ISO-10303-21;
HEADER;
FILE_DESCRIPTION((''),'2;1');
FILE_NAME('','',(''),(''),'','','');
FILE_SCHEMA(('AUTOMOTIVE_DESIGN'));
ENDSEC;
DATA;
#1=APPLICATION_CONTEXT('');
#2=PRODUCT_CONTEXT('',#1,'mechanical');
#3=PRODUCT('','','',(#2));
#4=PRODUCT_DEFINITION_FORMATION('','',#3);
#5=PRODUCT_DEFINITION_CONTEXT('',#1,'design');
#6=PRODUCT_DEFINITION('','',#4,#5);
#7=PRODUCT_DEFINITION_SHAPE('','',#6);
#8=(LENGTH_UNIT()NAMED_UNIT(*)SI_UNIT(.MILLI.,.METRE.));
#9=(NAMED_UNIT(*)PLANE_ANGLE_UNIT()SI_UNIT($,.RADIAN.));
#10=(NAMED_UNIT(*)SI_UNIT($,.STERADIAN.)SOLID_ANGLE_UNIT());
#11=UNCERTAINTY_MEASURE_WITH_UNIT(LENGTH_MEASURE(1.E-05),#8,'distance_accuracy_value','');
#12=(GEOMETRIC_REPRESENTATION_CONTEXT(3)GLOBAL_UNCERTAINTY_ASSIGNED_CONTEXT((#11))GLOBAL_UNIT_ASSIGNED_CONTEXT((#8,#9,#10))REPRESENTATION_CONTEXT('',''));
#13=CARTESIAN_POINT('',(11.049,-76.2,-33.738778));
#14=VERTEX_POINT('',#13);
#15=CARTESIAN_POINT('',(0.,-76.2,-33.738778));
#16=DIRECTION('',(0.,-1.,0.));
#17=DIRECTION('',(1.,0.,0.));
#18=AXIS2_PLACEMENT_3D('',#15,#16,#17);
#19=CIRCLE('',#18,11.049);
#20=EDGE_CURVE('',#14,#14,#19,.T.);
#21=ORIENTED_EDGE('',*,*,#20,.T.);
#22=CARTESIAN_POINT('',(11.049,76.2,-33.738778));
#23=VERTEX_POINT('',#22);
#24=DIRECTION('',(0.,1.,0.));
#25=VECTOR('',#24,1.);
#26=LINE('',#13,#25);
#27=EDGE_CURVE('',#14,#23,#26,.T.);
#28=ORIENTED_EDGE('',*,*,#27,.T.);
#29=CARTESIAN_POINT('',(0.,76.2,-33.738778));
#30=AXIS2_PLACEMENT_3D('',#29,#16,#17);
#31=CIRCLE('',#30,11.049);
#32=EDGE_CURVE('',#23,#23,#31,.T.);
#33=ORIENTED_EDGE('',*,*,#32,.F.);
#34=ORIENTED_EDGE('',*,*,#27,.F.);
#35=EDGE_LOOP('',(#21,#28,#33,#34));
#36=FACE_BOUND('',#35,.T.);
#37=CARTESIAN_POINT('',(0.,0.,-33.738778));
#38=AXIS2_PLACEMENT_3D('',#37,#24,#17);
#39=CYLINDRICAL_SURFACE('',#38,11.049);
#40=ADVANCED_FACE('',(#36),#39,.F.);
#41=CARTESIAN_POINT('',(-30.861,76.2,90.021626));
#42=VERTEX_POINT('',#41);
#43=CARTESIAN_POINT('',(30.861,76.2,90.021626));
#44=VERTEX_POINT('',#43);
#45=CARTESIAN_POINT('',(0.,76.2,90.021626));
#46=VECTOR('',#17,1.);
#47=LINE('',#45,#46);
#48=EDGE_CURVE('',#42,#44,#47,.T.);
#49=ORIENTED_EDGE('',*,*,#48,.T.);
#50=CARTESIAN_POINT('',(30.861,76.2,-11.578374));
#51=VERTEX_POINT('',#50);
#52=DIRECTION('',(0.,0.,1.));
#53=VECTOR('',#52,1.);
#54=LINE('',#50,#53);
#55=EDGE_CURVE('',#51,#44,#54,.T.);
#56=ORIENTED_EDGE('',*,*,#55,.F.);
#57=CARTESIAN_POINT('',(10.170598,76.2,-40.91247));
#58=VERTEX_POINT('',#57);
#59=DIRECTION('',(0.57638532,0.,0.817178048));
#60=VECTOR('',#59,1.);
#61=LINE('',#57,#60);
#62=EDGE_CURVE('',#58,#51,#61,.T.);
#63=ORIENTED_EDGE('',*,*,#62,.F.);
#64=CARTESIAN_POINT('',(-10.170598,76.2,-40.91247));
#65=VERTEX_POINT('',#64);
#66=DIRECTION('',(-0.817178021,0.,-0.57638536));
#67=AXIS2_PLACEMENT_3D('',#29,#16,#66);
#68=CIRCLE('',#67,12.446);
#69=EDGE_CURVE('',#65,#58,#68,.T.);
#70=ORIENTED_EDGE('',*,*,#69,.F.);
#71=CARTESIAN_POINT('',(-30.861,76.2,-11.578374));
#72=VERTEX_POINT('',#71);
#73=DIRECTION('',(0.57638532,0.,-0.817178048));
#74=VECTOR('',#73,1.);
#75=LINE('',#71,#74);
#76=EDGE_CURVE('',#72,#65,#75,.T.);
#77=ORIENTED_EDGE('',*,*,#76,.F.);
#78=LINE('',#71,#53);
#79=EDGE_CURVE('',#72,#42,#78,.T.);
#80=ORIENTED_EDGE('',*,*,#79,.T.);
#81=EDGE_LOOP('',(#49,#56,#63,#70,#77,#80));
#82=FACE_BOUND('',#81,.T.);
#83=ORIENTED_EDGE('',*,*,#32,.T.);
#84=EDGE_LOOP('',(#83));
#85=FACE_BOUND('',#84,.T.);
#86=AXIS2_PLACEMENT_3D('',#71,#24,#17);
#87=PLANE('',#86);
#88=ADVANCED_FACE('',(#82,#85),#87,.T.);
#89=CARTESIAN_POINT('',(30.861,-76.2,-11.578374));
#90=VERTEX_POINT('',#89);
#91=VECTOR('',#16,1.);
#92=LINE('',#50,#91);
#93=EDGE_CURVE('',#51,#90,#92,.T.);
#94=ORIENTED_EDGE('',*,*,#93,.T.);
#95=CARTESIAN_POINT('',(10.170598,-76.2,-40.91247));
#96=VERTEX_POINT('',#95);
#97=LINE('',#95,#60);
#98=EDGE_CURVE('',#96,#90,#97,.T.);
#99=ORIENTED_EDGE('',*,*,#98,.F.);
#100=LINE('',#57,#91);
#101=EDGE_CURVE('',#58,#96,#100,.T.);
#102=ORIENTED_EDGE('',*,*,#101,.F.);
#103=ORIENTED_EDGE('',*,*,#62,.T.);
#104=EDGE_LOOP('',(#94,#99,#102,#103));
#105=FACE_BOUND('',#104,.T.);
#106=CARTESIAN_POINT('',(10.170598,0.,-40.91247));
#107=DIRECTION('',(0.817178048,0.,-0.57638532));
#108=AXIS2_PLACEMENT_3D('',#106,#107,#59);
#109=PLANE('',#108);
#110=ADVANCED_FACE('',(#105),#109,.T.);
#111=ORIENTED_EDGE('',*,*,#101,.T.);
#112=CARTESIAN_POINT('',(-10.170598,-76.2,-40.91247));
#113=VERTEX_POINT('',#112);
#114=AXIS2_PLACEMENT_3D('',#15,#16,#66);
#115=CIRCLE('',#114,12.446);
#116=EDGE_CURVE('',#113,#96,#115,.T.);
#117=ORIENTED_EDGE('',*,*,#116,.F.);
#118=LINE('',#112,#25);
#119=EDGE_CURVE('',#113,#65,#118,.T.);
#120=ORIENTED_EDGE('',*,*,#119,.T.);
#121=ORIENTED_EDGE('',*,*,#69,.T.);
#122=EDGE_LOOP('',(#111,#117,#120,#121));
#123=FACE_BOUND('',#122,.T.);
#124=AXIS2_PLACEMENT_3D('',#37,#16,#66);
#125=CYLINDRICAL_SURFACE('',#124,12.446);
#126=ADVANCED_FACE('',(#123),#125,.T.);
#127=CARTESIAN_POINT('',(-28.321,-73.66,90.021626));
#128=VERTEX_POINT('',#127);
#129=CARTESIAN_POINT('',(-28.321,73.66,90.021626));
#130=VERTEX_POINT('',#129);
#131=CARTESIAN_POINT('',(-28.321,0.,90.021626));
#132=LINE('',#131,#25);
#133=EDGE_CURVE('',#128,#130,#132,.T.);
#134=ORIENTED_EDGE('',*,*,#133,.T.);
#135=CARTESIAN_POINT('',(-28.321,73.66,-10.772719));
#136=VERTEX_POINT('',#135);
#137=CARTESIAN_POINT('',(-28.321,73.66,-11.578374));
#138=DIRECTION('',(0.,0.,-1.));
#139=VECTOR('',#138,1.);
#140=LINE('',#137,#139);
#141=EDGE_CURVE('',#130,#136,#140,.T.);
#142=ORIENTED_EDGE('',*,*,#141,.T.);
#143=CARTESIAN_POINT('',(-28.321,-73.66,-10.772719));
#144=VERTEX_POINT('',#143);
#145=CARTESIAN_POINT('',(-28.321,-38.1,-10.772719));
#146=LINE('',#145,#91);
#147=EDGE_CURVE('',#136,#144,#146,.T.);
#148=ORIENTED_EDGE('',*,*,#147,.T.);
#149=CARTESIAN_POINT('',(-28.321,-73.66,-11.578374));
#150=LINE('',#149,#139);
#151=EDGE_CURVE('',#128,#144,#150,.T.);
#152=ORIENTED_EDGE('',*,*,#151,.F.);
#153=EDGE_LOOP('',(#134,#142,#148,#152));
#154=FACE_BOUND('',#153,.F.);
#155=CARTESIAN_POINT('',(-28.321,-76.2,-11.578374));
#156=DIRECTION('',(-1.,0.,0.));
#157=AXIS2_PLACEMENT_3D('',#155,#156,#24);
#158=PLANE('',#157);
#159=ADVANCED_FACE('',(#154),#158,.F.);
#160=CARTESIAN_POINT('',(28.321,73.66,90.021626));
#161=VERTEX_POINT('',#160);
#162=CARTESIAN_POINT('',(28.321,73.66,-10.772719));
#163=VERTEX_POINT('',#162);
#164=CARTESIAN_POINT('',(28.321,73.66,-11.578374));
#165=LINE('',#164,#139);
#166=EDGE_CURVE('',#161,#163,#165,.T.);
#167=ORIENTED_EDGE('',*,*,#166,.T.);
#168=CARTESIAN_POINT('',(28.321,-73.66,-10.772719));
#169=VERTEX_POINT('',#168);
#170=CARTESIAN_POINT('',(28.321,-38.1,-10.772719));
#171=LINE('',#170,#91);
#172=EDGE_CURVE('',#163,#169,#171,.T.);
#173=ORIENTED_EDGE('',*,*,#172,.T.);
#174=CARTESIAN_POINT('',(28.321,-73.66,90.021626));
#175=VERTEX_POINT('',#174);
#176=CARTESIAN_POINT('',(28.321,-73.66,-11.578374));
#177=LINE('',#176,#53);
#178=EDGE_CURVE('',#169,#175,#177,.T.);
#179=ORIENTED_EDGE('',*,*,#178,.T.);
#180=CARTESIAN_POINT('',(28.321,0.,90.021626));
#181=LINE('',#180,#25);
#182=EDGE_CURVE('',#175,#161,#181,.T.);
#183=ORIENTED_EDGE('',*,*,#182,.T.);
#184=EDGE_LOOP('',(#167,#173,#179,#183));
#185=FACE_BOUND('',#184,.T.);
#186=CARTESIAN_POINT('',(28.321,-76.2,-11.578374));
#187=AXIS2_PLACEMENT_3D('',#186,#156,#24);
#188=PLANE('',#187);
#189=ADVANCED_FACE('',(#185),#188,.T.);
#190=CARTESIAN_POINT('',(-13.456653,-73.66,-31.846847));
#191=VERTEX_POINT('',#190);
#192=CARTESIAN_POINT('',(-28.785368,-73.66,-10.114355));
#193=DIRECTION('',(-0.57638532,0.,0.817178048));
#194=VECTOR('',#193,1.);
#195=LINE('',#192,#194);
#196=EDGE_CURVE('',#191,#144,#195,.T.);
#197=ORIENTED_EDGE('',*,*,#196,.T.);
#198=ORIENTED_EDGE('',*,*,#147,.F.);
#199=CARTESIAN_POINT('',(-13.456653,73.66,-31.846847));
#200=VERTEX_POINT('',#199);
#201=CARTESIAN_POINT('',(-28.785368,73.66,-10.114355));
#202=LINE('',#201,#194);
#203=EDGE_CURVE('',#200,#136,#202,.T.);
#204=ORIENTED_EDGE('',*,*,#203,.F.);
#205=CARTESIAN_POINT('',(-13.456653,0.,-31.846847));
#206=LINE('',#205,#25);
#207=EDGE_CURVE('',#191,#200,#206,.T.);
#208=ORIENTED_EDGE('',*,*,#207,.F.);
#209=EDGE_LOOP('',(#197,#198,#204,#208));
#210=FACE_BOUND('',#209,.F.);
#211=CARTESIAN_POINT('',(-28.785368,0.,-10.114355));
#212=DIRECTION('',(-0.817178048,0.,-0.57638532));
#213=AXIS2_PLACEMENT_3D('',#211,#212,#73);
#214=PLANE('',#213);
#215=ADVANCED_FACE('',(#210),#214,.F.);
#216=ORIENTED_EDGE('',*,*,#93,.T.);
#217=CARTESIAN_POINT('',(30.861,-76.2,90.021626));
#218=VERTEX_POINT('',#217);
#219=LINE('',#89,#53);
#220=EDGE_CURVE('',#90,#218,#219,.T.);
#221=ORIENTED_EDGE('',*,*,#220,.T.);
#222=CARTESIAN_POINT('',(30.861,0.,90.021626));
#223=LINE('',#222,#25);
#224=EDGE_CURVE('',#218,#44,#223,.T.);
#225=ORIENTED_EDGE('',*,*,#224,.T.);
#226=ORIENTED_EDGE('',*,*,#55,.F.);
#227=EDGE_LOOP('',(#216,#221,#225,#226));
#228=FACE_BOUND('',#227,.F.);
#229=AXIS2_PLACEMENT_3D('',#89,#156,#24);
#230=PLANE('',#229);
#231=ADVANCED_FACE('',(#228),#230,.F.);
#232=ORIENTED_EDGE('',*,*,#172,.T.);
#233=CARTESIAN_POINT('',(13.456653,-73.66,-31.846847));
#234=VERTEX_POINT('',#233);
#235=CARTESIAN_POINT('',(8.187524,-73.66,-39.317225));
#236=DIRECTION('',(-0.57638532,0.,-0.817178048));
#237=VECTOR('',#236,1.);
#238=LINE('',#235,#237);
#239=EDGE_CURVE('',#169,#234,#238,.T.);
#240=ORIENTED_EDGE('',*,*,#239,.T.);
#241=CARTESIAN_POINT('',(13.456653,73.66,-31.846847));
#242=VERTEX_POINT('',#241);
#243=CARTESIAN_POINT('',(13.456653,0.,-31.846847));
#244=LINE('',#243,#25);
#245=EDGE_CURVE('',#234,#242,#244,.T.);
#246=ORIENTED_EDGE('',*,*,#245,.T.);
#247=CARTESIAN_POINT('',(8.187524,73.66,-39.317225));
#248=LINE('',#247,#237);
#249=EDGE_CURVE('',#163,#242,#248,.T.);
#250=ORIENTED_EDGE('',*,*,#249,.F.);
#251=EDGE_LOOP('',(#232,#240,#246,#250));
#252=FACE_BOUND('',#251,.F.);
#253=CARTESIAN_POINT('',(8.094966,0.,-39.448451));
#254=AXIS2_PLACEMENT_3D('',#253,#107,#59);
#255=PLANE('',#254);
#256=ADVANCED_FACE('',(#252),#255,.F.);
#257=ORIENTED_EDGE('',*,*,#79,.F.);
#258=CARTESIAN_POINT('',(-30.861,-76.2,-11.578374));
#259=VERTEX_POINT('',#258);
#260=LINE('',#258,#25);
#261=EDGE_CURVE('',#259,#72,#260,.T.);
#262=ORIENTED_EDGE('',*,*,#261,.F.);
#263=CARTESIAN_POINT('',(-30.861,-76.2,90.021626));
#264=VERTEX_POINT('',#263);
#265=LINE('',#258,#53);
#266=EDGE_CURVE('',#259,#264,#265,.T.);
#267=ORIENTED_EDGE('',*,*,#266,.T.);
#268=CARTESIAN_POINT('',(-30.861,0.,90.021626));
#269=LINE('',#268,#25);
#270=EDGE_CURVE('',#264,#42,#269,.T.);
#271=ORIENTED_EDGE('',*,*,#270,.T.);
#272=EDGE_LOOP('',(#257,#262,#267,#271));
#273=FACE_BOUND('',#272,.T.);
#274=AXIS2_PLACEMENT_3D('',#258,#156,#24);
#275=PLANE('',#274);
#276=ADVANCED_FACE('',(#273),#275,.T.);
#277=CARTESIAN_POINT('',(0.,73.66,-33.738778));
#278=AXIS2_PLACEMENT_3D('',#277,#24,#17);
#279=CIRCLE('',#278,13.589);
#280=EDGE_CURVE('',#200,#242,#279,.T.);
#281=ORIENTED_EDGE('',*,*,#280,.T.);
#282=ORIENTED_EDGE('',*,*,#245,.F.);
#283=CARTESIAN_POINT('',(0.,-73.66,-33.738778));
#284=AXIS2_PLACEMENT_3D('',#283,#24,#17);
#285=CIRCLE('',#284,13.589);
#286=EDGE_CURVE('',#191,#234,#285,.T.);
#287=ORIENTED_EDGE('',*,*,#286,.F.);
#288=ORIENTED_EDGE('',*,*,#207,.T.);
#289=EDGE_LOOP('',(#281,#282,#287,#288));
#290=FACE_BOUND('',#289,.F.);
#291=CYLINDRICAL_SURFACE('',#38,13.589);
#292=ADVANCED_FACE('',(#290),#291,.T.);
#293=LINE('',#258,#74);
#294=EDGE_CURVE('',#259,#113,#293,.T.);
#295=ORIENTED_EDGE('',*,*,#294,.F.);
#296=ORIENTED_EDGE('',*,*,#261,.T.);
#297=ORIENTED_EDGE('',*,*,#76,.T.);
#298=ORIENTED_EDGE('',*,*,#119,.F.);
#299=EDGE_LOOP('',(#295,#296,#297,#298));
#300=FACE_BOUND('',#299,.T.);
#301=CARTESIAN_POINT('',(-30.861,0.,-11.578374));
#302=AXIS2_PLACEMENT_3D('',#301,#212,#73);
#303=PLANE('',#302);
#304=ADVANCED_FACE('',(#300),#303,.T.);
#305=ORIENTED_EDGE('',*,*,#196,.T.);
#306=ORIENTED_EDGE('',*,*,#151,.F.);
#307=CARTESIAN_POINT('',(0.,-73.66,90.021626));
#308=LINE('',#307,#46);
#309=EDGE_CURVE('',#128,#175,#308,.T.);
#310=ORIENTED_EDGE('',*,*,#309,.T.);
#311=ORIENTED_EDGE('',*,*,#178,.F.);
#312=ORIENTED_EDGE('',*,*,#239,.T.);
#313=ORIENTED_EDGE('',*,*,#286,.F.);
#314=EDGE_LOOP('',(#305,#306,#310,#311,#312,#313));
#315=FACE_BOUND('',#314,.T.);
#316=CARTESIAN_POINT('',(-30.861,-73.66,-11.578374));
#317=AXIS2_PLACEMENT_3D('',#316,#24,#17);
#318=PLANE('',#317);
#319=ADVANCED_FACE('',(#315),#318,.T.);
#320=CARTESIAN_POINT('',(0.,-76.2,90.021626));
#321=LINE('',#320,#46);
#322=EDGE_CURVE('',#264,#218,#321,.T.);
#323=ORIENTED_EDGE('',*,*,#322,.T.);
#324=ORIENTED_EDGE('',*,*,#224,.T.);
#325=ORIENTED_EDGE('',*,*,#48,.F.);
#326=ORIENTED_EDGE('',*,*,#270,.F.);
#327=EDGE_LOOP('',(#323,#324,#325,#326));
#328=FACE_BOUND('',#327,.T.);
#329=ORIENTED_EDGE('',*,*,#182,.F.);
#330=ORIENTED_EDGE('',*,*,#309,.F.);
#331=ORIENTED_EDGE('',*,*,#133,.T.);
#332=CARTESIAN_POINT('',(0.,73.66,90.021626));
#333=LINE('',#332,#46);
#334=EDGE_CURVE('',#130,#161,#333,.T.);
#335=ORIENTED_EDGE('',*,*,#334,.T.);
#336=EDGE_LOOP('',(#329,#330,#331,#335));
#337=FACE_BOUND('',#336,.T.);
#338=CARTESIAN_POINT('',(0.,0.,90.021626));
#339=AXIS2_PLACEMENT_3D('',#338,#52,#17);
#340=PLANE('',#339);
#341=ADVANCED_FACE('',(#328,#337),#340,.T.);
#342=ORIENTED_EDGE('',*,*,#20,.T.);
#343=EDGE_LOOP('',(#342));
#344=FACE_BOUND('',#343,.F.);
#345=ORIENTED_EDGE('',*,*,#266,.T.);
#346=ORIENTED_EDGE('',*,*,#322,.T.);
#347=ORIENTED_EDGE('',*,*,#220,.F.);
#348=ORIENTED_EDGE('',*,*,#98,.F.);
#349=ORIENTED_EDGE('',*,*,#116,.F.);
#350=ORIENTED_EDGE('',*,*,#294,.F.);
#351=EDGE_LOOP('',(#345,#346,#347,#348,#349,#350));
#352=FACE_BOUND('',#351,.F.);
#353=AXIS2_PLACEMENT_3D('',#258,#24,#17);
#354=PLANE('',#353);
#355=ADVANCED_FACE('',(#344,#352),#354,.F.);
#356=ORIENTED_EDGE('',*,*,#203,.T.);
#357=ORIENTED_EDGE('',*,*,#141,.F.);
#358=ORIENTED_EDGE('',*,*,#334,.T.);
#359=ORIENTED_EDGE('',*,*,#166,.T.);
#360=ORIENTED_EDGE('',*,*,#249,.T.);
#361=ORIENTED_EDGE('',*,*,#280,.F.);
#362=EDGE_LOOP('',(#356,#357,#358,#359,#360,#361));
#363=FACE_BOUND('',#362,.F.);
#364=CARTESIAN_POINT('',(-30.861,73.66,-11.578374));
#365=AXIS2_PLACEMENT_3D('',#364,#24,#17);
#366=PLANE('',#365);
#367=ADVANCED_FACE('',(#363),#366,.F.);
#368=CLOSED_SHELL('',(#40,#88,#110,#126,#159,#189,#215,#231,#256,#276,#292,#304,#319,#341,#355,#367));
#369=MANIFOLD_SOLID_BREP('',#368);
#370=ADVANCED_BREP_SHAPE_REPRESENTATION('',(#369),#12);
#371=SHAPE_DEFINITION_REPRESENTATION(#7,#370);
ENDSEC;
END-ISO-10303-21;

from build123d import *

# Parameters (mm, degrees)
F0_R          = 11.049
F1_DEPTH      = 76.2
F1_DEPTH_BACK = 76.2
F2_W          = 61.722
F2_H          = 152.4
F3_DEPTH      = 101.6
F4_T          = -2.54


with BuildPart() as f1:
    # F0 (on Front) → F1 (new body, two sides)
    with BuildSketch(Plane.XZ) as f1_sk:
        with BuildLine():
            ThreePointArc((10.170598, -40.91247), (11.863519, -37.501733), (12.446, -33.738778))
            ThreePointArc((12.446, -33.738778), (-3.762954, -21.875259), (-10.170598, -40.91247))
            ThreePointArc((-10.170598, -40.91247), (0, -46.184778), (10.170598, -40.91247))
        make_face()
        with Locations((0, -33.738778)):
            Circle(F0_R, mode=Mode.SUBTRACT)
        with BuildLine():
            ThreePointArc((-10.170598, -40.91247), (-3.762954, -21.875259), (12.446, -33.738778))
            ThreePointArc((12.446, -33.738778), (11.863519, -37.501733), (10.170598, -40.91247))
            Line((10.170598, -40.91247), (30.861, -11.578374))
            Line((30.861, -11.578374), (0, -11.578374))
            Line((0, -11.578374), (-30.861, -11.578374))
            Line((-30.861, -11.578374), (-10.170598, -40.91247))
        make_face()
    extrude(amount=F1_DEPTH)
    extrude(f1_sk.sketch, amount=-F1_DEPTH_BACK)

    # F2 (on face) → F3 (join)
    with BuildSketch(Plane.XY.offset(-11.578374)):
        Rectangle(F2_W, F2_H)
    extrude(amount=F3_DEPTH)

    # F4
    f4_openings = [f1.faces().sort_by_distance(p)[0] for p in [
        (0, 0, 90.021626),
    ]]
    offset(amount=F4_T, openings=f4_openings)


solid = f1.part
